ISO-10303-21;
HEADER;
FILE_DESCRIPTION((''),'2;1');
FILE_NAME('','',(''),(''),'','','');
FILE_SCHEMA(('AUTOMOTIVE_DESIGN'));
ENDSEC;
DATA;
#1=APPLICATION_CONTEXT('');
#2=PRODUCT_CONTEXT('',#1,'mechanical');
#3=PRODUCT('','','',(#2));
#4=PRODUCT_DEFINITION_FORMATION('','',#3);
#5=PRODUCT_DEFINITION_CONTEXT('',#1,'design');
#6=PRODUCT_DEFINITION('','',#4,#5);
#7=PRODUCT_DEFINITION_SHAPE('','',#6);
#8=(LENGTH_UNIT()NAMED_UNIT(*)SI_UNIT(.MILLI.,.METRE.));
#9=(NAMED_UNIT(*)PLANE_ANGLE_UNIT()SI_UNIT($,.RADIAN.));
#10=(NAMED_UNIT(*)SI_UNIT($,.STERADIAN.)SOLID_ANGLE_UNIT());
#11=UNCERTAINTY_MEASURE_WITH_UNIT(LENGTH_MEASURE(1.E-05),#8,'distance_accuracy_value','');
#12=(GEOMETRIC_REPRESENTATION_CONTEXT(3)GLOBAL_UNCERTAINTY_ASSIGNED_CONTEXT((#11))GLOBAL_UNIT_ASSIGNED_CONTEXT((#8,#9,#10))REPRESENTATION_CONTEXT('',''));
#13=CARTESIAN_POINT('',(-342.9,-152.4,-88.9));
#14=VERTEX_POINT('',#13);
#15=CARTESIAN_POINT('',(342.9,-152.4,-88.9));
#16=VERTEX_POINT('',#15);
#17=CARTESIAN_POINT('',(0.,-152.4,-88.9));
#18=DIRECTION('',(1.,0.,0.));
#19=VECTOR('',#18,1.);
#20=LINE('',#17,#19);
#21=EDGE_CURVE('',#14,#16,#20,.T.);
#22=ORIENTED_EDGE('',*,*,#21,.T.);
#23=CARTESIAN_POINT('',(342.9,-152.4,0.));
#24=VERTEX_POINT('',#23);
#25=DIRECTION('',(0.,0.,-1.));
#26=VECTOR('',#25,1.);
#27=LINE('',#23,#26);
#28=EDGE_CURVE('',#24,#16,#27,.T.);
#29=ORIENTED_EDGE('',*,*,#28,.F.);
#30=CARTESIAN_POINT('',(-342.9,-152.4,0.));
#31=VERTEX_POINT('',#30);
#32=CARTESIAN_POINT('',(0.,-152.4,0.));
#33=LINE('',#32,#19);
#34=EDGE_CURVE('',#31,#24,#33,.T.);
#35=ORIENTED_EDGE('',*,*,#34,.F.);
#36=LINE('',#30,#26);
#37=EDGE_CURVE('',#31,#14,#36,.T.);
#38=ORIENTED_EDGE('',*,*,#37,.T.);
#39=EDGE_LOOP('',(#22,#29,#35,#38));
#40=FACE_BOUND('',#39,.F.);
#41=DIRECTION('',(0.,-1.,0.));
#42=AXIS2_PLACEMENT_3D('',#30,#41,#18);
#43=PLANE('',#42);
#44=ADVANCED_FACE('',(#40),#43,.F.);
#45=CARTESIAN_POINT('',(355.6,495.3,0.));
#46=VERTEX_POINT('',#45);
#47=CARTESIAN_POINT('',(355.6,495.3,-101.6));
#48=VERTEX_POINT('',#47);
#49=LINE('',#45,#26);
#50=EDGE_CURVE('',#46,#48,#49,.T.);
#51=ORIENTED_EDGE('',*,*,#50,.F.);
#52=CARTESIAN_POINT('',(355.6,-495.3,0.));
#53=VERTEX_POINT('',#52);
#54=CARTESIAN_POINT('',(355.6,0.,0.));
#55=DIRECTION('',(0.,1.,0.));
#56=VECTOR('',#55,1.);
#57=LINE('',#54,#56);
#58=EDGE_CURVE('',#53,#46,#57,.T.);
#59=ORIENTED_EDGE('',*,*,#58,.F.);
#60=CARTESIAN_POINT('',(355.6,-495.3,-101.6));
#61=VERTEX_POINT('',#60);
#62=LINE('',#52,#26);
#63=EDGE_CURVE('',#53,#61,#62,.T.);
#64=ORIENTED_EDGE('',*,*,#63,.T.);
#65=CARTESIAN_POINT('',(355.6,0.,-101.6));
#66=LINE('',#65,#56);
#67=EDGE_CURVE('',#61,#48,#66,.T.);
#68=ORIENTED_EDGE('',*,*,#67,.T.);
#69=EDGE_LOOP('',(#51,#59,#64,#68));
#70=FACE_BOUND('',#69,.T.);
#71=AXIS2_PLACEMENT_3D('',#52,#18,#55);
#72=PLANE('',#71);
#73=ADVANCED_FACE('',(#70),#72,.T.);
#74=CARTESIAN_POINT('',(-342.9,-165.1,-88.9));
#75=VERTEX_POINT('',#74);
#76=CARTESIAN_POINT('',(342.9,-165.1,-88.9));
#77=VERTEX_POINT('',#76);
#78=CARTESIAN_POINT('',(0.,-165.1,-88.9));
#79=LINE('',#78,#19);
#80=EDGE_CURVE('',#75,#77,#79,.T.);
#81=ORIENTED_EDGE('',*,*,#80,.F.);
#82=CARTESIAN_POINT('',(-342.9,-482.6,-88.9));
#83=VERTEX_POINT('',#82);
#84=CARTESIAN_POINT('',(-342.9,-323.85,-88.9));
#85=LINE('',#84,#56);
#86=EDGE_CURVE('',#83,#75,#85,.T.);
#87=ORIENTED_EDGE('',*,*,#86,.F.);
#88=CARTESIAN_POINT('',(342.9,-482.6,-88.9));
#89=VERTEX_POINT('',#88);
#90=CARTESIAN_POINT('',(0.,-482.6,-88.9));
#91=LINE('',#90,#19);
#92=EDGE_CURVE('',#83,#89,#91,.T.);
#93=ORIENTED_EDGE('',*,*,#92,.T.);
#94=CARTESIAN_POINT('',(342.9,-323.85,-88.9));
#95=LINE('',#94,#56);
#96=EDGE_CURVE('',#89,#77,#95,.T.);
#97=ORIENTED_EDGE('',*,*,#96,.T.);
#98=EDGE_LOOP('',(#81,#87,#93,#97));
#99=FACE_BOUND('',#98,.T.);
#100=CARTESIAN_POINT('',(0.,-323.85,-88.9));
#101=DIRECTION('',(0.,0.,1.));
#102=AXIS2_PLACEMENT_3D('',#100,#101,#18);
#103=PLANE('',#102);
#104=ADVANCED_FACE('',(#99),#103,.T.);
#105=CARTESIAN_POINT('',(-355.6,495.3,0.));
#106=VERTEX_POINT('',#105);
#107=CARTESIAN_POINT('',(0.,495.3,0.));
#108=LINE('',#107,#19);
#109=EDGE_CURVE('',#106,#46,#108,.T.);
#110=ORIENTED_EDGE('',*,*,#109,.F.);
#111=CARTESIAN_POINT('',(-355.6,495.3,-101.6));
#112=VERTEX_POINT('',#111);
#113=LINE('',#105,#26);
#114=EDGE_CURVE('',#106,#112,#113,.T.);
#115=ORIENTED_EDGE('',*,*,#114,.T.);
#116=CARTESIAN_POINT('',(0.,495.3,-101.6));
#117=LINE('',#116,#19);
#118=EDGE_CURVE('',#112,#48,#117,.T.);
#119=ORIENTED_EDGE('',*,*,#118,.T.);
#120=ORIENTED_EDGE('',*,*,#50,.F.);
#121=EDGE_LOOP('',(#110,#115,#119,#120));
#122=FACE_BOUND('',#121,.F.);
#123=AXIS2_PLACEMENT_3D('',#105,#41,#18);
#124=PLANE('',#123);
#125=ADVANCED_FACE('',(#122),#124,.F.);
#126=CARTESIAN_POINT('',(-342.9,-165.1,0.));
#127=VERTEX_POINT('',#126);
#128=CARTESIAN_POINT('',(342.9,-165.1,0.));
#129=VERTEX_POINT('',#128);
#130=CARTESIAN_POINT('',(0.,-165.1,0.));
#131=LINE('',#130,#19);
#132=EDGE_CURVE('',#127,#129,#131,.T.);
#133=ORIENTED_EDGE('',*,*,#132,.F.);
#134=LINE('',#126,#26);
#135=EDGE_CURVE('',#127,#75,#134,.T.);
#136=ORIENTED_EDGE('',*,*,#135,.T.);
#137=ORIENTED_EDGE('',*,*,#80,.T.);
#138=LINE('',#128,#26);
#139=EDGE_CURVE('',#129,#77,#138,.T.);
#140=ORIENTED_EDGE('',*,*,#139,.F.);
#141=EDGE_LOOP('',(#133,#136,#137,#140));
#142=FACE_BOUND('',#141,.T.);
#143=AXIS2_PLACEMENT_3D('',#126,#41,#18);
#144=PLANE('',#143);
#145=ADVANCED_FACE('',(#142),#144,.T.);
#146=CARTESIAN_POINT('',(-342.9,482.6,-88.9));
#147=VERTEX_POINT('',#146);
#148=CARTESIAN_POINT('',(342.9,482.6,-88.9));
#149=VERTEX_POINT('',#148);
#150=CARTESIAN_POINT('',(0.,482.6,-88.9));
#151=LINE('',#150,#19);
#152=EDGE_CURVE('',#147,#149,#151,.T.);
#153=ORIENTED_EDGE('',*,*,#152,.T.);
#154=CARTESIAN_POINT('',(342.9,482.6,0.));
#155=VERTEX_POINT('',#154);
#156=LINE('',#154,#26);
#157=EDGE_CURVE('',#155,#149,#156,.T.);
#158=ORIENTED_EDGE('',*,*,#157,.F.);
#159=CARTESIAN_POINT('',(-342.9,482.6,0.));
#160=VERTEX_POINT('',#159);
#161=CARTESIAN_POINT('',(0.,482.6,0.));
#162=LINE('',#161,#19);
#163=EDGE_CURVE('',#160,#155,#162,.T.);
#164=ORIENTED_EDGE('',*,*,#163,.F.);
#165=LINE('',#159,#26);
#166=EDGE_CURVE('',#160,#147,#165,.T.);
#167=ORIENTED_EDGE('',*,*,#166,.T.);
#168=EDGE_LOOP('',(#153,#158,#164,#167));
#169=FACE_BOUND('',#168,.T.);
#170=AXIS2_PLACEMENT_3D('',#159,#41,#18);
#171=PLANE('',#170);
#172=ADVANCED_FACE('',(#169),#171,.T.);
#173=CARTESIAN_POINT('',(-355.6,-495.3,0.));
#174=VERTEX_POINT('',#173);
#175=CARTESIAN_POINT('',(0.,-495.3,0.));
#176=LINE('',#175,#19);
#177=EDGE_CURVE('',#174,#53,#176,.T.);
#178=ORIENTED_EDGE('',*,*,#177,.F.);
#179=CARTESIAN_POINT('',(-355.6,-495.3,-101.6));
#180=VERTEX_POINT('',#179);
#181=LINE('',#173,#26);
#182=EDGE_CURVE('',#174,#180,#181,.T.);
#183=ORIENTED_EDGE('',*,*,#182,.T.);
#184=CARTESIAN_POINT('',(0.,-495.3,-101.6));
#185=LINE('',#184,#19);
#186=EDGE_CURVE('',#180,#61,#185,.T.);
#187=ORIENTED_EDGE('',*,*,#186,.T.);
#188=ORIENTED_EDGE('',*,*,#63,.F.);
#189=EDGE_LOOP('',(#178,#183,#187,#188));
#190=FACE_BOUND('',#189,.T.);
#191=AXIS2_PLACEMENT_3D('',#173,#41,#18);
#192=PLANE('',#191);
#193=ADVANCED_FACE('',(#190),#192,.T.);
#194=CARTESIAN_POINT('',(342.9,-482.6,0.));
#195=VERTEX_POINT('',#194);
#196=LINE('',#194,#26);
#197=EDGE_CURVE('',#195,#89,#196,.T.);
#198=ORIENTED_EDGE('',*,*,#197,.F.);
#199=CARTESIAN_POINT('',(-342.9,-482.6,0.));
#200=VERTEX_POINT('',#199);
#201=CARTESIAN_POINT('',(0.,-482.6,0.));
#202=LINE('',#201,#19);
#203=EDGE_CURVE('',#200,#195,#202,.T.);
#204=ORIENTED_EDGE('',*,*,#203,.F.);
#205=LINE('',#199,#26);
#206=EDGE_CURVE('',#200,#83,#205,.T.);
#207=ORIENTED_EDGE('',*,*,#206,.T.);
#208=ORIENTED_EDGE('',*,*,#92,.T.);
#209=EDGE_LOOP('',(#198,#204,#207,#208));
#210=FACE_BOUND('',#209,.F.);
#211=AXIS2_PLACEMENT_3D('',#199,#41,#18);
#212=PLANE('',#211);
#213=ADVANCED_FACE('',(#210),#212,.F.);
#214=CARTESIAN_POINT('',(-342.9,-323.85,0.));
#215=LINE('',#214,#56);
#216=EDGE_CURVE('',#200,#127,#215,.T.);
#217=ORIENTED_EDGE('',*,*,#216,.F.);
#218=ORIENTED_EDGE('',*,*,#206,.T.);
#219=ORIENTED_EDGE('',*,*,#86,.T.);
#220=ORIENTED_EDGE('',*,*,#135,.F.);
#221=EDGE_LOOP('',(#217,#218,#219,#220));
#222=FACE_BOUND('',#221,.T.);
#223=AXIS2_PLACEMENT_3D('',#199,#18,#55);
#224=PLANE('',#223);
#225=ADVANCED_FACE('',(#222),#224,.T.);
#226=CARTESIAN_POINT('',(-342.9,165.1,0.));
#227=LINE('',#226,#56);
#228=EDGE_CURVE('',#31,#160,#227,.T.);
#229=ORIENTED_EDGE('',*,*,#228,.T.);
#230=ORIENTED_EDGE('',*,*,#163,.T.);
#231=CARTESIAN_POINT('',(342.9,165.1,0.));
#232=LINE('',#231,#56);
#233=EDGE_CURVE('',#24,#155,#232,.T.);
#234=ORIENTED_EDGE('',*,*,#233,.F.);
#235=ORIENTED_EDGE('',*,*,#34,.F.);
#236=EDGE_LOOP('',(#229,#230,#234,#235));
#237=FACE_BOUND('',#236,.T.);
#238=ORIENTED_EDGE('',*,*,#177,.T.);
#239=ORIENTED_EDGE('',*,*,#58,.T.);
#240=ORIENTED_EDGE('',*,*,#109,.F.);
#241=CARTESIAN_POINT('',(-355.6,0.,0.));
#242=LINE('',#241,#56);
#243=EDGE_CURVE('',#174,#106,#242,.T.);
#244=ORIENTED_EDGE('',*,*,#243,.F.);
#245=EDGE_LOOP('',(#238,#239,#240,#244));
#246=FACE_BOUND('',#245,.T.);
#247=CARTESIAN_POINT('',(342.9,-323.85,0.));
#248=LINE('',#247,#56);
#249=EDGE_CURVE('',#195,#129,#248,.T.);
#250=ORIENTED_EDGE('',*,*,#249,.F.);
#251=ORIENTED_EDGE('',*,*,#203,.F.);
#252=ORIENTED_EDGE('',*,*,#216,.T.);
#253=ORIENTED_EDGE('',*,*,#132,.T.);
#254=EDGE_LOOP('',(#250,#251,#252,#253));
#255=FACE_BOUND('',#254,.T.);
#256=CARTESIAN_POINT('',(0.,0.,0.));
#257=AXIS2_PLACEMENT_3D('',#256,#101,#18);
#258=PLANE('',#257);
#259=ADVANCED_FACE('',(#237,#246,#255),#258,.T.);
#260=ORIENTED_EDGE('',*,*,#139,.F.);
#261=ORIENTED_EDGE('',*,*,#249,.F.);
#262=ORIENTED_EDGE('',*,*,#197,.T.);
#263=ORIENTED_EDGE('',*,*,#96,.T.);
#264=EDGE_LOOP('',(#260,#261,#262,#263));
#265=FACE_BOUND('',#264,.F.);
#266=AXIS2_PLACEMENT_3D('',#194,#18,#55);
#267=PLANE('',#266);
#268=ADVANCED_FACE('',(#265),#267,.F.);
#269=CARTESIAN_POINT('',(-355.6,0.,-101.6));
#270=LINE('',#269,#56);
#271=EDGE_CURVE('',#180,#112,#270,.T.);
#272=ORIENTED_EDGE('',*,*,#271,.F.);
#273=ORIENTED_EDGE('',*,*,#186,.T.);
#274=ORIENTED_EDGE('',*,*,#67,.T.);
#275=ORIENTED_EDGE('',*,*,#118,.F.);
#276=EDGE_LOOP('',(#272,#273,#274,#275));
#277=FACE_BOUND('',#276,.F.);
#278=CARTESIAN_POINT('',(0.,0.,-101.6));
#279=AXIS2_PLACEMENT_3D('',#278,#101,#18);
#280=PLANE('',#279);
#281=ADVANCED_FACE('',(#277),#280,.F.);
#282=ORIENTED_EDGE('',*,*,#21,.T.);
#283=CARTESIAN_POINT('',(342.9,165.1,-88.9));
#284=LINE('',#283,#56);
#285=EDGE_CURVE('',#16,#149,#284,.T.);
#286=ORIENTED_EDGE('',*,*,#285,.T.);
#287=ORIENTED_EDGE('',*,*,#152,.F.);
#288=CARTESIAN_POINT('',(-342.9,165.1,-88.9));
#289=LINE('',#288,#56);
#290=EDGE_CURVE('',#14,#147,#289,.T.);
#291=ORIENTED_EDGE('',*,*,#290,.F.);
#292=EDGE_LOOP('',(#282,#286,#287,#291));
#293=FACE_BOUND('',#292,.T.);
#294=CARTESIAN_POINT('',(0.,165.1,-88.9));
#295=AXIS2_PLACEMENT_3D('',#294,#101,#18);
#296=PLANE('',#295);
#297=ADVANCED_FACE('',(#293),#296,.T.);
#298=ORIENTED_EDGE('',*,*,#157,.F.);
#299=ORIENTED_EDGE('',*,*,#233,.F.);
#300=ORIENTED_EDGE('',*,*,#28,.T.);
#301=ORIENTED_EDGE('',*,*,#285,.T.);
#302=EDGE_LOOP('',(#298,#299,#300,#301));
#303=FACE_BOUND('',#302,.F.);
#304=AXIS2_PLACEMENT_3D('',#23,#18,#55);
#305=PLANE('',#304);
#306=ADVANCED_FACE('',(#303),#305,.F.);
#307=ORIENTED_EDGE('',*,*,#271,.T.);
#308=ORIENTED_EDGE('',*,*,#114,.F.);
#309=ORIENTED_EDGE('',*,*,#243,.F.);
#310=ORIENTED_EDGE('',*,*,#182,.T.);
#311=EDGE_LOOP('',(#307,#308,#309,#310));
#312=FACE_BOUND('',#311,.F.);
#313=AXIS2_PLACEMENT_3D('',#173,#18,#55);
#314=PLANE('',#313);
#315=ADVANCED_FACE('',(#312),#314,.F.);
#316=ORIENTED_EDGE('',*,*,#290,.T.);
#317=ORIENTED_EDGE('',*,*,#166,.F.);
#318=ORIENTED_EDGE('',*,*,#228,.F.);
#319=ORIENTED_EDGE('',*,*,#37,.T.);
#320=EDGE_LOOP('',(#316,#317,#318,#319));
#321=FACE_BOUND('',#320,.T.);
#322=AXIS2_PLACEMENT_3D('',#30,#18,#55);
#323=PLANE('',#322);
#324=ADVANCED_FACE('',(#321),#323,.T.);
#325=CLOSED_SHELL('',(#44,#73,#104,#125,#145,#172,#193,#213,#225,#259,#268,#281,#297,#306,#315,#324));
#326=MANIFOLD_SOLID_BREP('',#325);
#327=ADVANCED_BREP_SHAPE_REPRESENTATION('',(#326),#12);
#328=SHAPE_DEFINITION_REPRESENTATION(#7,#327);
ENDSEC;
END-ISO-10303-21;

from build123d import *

# Parameters (mm, degrees)
F0_W     = 711.2
F0_H     = 990.6
F0_W_2   = 685.8
F0_H_2   = 317.5
F0_H_3   = 635
F0_H_4   = 12.7
F1_DEPTH = 101.6
F2_DEPTH = 88.9


with BuildPart() as f1:
    # F0 (on Top) → F1 (new body)
    with BuildSketch(Plane.XY):
        Rectangle(F0_W, F0_H)
        Polygon((342.9, -482.6), (-342.9, -482.6), (-342.9, -165.1), (-342.9, -152.4), (-342.9, 482.6), (342.9, 482.6), (342.9, -152.4), (342.9, -165.1), align=None, mode=Mode.SUBTRACT)
        with Locations((0, -323.85)):
            Rectangle(F0_W_2, F0_H_2)
        with Locations((0, 165.1)):
            Rectangle(F0_W_2, F0_H_3)
        with Locations((0, -158.75)):
            Rectangle(F0_W_2, F0_H_4)
    extrude(amount=-F1_DEPTH)

    # F0 (on Top) → F2 (cut, through all)
    with BuildSketch(Plane.XY):
        with Locations((0, 165.1)):
            Rectangle(F0_W_2, F0_H_3)
        with Locations((0, -323.85)):
            Rectangle(F0_W_2, F0_H_2)
    extrude(amount=-F2_DEPTH, mode=Mode.SUBTRACT)


solid = f1.part
